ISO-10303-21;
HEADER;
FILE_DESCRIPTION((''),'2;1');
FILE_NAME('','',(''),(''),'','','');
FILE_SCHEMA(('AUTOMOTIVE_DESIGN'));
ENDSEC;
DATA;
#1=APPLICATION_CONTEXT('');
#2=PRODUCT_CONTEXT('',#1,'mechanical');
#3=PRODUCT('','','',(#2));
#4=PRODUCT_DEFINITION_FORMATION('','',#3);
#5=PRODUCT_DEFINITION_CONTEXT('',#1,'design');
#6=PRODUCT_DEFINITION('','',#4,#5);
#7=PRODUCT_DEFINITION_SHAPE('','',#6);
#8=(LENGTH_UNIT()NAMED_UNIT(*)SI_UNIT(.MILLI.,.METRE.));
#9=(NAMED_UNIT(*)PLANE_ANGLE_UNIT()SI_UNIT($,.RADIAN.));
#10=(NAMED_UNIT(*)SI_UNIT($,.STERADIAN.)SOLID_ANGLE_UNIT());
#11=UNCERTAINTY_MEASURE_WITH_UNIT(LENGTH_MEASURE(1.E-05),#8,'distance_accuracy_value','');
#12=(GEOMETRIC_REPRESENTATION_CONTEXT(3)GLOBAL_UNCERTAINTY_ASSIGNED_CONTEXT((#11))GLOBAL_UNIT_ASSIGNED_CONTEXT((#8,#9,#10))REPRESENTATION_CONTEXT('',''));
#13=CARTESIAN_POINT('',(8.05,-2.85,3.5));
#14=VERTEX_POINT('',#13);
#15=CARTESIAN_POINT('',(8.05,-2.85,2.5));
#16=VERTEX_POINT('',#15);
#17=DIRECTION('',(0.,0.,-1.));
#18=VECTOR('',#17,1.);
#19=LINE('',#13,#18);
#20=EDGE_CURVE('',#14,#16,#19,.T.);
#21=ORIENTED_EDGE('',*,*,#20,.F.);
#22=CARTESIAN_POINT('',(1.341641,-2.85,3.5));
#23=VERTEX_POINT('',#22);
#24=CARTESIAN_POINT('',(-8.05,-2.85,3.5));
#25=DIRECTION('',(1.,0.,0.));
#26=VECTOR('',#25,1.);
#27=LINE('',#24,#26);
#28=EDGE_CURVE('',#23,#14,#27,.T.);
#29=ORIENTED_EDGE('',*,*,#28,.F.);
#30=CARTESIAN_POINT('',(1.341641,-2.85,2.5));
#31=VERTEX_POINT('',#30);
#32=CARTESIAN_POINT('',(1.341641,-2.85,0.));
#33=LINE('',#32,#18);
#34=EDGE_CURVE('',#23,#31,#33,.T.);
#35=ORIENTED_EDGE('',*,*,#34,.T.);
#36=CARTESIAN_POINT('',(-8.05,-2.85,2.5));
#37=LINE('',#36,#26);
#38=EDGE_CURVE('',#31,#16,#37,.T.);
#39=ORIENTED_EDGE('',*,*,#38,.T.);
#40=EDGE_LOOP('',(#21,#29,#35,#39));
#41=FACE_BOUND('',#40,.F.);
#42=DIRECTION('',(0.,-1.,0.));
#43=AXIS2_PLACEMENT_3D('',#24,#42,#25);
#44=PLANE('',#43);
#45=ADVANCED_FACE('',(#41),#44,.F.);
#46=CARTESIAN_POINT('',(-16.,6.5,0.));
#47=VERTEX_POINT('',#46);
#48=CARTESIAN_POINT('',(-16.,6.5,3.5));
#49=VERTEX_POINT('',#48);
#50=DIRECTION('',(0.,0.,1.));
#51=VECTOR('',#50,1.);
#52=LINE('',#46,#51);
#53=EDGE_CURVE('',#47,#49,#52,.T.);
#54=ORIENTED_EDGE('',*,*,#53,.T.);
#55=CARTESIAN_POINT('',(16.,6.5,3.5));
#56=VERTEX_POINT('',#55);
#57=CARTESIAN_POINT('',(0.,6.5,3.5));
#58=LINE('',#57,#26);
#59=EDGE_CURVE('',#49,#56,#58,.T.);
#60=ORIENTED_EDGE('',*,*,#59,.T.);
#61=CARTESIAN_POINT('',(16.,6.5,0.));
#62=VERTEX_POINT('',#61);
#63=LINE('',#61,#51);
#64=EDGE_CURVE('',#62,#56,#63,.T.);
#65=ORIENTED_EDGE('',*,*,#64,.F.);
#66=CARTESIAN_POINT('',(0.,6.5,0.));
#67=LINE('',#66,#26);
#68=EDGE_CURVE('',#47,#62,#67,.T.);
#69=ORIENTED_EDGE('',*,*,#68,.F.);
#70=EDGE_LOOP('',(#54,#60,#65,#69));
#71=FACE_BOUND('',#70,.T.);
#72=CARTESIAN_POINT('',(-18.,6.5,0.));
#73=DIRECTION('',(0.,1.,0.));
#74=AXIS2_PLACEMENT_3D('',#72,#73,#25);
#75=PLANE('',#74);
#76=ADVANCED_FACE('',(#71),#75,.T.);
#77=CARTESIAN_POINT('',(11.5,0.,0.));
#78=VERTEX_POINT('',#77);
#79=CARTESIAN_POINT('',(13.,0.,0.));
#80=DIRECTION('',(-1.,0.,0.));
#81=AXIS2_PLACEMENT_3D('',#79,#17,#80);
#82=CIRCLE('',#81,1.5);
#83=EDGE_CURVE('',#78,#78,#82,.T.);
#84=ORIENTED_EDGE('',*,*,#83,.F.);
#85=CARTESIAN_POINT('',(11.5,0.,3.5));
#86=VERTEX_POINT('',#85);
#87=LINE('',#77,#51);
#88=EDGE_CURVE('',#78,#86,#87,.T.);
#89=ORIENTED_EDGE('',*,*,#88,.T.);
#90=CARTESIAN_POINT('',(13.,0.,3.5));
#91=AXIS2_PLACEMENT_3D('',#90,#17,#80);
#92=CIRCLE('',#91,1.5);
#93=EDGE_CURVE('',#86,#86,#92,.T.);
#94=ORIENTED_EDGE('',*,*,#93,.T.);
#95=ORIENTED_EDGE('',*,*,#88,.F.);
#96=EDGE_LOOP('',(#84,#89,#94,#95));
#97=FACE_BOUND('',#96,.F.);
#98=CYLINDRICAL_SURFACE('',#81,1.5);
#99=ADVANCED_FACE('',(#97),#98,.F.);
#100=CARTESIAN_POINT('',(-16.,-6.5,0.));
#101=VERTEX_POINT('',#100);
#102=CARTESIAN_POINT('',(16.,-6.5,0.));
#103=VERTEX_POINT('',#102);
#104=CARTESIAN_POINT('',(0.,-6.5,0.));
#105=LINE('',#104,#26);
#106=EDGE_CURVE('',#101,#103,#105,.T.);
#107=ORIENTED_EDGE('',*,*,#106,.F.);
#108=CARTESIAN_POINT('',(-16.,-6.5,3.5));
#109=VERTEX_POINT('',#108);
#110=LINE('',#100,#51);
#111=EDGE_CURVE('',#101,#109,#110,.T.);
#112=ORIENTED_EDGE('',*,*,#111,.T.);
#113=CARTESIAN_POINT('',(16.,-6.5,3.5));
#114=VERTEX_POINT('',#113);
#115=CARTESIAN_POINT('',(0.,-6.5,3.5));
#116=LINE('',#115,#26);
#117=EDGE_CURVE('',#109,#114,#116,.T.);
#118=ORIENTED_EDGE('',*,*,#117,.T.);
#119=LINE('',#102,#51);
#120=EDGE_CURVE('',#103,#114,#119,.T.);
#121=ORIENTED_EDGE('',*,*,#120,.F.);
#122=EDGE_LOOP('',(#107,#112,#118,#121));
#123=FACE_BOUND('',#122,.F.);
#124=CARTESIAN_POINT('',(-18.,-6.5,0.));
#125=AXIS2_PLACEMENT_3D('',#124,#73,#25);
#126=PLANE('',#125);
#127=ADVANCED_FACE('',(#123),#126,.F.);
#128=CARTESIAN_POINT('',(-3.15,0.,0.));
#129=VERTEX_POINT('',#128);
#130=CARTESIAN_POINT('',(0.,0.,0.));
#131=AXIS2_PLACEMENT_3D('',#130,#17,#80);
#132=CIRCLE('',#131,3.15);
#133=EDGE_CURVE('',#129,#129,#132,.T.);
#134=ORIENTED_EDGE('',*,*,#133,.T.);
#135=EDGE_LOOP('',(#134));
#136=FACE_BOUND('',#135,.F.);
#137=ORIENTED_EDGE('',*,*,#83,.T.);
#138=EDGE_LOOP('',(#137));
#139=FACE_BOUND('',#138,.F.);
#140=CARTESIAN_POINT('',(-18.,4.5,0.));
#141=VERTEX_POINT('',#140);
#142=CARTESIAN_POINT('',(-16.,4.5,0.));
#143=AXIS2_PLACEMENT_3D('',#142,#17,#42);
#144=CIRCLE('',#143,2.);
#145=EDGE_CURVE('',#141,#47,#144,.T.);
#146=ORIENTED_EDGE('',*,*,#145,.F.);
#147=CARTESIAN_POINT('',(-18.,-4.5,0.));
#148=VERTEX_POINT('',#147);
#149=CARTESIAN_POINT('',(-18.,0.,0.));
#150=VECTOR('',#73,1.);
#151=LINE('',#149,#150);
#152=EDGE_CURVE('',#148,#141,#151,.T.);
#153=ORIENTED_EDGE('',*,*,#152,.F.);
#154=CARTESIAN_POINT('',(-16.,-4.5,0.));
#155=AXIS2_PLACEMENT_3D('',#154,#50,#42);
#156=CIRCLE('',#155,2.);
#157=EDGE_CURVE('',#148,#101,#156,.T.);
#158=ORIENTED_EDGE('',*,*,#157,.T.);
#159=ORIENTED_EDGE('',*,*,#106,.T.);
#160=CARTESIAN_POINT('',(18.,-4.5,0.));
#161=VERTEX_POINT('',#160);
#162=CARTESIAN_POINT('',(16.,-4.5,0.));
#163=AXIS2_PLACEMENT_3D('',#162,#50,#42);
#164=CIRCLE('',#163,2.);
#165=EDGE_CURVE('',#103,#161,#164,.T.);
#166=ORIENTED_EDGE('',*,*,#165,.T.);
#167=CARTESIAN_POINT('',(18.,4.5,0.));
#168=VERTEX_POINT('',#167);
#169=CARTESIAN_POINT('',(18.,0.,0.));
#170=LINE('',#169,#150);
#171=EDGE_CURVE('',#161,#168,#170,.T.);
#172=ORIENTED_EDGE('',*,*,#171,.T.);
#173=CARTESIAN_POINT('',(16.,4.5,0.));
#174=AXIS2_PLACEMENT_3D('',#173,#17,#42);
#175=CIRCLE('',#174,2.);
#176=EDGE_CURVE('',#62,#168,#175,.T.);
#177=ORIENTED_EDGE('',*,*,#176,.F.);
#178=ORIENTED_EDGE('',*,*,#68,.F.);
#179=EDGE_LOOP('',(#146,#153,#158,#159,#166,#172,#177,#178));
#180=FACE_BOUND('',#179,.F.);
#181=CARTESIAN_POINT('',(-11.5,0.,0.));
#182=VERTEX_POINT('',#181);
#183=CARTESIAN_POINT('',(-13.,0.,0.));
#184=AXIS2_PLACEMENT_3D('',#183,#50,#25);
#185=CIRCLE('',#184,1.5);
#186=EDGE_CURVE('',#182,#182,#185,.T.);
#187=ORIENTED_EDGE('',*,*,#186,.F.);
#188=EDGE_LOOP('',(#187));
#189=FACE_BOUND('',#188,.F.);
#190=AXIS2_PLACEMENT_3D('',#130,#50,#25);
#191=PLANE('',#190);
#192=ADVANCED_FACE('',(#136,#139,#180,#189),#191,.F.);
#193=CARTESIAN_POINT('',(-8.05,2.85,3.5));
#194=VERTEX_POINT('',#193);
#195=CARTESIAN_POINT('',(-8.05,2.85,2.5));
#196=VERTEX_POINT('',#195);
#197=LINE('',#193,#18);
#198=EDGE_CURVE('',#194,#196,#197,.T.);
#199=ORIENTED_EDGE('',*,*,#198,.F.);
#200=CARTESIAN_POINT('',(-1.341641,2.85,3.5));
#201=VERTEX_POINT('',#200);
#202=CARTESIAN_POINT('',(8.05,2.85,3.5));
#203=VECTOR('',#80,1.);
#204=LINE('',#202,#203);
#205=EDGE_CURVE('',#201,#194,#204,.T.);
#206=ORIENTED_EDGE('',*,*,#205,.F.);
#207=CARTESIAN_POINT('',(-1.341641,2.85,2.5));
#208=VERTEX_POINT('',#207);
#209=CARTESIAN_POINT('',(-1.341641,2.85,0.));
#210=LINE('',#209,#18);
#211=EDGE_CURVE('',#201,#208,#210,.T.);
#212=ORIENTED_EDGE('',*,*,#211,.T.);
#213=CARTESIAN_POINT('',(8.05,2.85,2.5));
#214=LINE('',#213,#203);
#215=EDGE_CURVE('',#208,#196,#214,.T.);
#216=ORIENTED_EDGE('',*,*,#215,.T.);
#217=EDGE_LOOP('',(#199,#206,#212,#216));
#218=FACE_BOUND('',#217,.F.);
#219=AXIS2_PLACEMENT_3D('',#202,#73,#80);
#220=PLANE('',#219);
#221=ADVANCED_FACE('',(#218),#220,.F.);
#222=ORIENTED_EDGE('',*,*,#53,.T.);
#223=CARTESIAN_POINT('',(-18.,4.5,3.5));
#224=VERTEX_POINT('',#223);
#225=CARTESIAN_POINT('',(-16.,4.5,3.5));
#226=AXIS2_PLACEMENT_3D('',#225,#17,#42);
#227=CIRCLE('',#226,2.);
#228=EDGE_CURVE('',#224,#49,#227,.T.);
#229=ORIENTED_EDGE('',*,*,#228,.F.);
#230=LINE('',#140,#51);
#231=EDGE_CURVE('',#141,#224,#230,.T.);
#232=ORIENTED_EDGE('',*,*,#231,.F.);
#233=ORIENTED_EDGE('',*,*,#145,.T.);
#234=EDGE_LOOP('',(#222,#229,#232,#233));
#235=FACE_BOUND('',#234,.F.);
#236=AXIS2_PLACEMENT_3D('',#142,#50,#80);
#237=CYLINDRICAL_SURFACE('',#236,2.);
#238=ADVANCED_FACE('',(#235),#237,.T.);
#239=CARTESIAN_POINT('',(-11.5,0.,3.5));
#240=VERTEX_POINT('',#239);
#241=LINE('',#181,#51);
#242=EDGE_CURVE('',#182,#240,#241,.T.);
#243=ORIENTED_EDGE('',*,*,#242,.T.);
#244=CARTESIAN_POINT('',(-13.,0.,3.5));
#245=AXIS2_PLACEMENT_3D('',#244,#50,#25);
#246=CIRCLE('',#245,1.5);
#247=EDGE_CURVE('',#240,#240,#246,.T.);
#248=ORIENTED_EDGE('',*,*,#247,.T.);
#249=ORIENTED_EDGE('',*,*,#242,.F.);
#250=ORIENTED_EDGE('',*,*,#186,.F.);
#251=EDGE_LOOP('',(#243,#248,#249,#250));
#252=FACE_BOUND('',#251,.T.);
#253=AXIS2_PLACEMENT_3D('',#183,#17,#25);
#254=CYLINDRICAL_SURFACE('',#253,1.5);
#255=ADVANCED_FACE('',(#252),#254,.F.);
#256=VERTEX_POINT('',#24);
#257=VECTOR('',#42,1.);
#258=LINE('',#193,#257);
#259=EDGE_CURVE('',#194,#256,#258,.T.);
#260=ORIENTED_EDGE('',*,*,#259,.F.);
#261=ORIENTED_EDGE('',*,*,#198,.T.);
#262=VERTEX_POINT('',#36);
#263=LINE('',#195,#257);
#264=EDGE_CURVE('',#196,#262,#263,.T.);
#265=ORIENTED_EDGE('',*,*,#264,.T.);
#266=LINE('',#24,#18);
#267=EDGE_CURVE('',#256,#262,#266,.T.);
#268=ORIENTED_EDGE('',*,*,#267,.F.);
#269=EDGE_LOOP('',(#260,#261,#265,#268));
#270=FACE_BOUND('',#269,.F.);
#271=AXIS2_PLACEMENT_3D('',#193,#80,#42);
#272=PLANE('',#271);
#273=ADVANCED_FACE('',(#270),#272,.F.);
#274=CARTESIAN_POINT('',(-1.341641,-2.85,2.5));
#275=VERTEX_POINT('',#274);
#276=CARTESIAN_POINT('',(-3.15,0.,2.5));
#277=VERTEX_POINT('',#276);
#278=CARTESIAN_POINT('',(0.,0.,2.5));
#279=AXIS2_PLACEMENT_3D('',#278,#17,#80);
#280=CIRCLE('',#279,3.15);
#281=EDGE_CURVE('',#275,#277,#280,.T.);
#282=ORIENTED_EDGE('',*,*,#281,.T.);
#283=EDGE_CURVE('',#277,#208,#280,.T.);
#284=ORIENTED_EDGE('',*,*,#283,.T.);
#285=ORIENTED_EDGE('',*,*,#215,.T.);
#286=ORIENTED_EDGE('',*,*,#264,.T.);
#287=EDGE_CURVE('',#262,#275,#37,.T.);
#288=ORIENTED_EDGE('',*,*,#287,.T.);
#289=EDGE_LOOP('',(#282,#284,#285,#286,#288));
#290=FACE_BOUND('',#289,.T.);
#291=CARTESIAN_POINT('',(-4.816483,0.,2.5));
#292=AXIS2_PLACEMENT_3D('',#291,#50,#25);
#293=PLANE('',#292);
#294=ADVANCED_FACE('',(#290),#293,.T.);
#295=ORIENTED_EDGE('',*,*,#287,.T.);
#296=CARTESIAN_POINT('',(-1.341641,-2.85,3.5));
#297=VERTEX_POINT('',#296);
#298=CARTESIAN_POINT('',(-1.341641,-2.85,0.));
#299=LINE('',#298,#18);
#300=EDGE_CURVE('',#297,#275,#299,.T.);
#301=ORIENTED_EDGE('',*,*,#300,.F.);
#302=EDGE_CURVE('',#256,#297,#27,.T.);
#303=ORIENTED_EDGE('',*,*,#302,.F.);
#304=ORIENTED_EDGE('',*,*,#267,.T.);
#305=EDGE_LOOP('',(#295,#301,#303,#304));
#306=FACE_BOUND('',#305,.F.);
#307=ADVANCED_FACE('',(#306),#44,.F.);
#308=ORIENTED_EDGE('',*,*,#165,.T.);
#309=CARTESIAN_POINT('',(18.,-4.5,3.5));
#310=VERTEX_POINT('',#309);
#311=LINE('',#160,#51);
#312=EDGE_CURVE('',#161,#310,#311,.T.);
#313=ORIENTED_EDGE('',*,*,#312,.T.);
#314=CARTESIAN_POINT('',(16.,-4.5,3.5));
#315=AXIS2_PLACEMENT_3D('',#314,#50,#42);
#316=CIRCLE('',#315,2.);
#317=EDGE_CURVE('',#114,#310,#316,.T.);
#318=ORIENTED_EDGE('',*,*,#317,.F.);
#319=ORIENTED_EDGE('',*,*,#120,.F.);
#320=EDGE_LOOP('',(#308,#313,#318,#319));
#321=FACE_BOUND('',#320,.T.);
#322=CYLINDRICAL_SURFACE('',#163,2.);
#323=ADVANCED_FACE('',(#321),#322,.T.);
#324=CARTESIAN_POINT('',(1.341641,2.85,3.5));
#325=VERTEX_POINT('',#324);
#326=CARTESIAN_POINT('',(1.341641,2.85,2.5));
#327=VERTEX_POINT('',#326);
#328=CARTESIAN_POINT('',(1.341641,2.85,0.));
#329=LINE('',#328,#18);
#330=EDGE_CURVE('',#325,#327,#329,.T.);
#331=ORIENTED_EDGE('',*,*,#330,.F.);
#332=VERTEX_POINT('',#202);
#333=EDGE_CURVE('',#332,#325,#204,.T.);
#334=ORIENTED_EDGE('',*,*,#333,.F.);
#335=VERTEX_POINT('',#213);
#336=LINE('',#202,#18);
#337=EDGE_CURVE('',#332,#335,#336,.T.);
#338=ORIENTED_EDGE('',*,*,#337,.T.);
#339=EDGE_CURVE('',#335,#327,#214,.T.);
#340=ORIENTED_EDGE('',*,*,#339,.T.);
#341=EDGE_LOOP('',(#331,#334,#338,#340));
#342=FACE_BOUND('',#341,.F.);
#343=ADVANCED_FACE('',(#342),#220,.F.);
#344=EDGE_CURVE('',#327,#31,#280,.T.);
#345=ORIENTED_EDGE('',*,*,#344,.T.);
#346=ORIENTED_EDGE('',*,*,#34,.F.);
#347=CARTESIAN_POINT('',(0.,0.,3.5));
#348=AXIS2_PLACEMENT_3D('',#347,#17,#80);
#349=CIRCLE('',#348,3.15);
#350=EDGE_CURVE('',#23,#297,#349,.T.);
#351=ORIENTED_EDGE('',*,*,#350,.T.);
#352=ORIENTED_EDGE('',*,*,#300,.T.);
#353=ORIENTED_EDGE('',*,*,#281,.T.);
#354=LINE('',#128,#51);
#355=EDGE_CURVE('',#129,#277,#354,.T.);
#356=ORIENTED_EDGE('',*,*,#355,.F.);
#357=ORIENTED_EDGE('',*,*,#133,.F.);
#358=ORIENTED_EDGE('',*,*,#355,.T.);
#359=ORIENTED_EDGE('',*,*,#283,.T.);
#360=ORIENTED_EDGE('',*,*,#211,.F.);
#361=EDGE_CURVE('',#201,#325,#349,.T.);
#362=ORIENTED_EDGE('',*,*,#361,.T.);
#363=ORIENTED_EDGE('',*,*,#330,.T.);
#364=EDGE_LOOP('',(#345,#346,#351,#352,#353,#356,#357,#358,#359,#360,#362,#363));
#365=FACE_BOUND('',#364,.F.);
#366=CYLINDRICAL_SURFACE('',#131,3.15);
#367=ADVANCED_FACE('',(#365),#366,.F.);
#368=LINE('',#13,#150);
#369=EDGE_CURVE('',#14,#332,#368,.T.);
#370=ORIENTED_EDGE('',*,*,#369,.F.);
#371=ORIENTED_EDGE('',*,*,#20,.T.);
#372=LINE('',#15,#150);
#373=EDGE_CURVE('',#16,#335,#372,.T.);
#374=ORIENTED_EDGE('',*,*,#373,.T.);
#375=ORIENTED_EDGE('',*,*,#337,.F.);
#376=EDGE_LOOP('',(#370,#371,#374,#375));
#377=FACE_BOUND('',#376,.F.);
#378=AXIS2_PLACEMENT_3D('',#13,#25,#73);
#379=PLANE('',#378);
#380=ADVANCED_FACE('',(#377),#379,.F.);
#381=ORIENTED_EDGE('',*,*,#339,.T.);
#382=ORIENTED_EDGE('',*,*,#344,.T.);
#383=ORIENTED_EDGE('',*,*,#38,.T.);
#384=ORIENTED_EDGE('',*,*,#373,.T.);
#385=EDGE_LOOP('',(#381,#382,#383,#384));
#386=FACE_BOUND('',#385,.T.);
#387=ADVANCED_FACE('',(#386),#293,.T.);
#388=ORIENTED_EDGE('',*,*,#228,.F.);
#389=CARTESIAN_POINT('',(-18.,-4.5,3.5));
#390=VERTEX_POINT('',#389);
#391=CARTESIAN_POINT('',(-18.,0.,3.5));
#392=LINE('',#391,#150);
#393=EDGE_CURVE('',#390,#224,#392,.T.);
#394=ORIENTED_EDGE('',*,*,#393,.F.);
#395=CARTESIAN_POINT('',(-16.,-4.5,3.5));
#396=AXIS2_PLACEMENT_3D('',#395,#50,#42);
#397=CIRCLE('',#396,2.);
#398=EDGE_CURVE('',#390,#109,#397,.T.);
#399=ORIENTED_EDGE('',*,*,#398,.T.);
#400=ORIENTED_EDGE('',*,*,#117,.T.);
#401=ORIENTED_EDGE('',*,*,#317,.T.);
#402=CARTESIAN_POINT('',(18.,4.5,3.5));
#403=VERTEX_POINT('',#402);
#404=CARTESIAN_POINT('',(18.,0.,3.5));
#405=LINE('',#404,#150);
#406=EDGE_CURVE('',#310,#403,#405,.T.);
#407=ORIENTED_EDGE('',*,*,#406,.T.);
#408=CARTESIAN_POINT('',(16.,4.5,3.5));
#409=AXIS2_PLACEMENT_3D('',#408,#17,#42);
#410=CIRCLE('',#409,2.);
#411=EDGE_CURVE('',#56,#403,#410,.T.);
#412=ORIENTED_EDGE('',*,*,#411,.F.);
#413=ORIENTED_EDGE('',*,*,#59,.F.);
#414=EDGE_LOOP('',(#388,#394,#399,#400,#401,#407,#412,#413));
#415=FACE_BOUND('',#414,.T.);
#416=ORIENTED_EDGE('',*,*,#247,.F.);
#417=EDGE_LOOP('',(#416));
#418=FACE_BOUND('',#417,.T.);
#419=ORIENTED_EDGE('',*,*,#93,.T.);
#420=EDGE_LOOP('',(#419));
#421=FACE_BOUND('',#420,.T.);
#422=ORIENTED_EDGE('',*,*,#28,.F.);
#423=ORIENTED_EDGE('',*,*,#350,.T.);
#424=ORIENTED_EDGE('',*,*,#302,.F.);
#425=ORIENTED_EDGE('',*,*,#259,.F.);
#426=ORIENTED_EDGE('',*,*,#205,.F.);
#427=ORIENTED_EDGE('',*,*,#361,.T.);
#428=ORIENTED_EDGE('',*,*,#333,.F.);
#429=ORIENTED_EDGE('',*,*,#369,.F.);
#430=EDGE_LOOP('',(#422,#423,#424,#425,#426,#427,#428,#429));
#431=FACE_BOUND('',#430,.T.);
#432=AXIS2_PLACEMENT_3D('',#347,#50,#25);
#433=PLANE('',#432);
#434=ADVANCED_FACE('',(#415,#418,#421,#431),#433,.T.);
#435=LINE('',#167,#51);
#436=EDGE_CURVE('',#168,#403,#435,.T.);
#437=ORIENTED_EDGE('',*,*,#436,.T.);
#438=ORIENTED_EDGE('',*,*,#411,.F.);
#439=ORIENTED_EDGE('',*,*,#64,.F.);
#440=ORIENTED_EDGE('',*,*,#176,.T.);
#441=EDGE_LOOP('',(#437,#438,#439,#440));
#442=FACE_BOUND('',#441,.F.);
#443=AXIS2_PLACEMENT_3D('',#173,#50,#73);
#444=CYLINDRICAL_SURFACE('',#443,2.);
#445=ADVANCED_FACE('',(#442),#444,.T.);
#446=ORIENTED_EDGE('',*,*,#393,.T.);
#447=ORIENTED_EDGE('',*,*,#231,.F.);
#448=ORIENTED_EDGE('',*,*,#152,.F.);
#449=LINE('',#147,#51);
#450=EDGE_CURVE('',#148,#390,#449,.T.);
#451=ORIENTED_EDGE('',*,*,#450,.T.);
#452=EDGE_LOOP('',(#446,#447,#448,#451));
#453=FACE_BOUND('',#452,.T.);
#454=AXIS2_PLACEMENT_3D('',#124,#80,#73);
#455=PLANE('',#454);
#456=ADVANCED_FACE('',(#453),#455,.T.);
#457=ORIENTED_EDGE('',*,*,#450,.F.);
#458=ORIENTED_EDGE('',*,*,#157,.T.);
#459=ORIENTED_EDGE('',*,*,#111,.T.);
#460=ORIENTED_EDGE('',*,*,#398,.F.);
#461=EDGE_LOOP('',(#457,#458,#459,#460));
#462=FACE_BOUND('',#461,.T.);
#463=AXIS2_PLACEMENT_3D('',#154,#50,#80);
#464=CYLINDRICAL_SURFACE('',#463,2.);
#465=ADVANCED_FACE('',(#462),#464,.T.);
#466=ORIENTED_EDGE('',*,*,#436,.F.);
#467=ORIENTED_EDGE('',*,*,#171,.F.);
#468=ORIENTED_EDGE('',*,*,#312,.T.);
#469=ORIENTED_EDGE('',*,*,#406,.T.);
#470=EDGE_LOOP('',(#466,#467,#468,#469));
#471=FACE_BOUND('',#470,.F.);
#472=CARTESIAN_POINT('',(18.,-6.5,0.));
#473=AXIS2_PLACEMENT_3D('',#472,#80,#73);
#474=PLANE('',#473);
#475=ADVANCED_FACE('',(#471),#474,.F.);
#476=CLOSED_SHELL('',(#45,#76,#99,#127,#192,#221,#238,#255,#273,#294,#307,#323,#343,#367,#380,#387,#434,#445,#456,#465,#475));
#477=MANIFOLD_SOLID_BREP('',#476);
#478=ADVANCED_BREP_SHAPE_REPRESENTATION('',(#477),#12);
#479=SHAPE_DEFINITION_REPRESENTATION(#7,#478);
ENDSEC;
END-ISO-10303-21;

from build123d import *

# Parameters (mm, degrees)
F0_W     = 36
F0_H     = 13
F0_R     = 1.5
F1_DEPTH = 3.5
F2_R     = 2
F4_DEPTH = 1


with BuildPart() as f1:
    # F0 (on Top) → F1 (new body)
    with BuildSketch(Plane.XY):
        Rectangle(F0_W, F0_H)
        with Locations((-13, 0)):
            Circle(F0_R, mode=Mode.SUBTRACT)
        with BuildLine():
            ThreePointArc((3.15, 0), (0, -3.15), (-3.15, 0))
            ThreePointArc((-3.15, 0), (0, 3.15), (3.15, 0))
        make_face(mode=Mode.SUBTRACT)
        with BuildLine():
            ThreePointArc((14.5, 0), (13, -1.5), (11.5, 0))
            ThreePointArc((11.5, 0), (13, 1.5), (14.5, 0))
        make_face(mode=Mode.SUBTRACT)
    extrude(amount=F1_DEPTH)

    # F2
    f2_edges = [f1.edges().sort_by_distance(p)[0] for p in [
        (-18, 6.5, 1.75),
        (-18, -6.5, 1.75),
        (18, -6.5, 1.75),
        (18, 6.5, 1.75),
    ]]
    fillet(f2_edges, radius=F2_R)

    # F3 (on face) → F4 (cut)
    with BuildSketch(Plane.XY.offset(3.5)):
        with BuildLine():
            Line((-1.3416407865, 2.85), (-8.05, 2.85))
            Line((-8.05, 2.85), (-8.05, -2.85))
            Line((-8.05, -2.85), (-1.3416407865, -2.85))
            ThreePointArc((-1.3416407865, -2.85), (-3.15, 0), (-1.3416407865, 2.85))
        make_face()
        with BuildLine():
            Line((1.3416407865, 2.85), (-1.3416407865, 2.85))
            ThreePointArc((-1.3416407865, 2.85), (-3.15, 0), (-1.3416407865, -2.85))
            Line((-1.3416407865, -2.85), (1.3416407865, -2.85))
            ThreePointArc((1.3416407865, -2.85), (2.6597620643, -1.6876509595), (3.15, 0))
            ThreePointArc((3.15, 0), (2.6597620643, 1.6876509595), (1.3416407865, 2.85))
        make_face()
        with BuildLine():
            Line((8.05, 2.85), (1.3416407865, 2.85))
            ThreePointArc((1.3416407865, 2.85), (2.6597620643, 1.6876509595), (3.15, 0))
            ThreePointArc((3.15, 0), (2.6597620643, -1.6876509595), (1.3416407865, -2.85))
            Line((1.3416407865, -2.85), (8.05, -2.85))
            Line((8.05, -2.85), (8.05, 2.85))
        make_face()
    extrude(amount=-F4_DEPTH, mode=Mode.SUBTRACT)


solid = f1.part
